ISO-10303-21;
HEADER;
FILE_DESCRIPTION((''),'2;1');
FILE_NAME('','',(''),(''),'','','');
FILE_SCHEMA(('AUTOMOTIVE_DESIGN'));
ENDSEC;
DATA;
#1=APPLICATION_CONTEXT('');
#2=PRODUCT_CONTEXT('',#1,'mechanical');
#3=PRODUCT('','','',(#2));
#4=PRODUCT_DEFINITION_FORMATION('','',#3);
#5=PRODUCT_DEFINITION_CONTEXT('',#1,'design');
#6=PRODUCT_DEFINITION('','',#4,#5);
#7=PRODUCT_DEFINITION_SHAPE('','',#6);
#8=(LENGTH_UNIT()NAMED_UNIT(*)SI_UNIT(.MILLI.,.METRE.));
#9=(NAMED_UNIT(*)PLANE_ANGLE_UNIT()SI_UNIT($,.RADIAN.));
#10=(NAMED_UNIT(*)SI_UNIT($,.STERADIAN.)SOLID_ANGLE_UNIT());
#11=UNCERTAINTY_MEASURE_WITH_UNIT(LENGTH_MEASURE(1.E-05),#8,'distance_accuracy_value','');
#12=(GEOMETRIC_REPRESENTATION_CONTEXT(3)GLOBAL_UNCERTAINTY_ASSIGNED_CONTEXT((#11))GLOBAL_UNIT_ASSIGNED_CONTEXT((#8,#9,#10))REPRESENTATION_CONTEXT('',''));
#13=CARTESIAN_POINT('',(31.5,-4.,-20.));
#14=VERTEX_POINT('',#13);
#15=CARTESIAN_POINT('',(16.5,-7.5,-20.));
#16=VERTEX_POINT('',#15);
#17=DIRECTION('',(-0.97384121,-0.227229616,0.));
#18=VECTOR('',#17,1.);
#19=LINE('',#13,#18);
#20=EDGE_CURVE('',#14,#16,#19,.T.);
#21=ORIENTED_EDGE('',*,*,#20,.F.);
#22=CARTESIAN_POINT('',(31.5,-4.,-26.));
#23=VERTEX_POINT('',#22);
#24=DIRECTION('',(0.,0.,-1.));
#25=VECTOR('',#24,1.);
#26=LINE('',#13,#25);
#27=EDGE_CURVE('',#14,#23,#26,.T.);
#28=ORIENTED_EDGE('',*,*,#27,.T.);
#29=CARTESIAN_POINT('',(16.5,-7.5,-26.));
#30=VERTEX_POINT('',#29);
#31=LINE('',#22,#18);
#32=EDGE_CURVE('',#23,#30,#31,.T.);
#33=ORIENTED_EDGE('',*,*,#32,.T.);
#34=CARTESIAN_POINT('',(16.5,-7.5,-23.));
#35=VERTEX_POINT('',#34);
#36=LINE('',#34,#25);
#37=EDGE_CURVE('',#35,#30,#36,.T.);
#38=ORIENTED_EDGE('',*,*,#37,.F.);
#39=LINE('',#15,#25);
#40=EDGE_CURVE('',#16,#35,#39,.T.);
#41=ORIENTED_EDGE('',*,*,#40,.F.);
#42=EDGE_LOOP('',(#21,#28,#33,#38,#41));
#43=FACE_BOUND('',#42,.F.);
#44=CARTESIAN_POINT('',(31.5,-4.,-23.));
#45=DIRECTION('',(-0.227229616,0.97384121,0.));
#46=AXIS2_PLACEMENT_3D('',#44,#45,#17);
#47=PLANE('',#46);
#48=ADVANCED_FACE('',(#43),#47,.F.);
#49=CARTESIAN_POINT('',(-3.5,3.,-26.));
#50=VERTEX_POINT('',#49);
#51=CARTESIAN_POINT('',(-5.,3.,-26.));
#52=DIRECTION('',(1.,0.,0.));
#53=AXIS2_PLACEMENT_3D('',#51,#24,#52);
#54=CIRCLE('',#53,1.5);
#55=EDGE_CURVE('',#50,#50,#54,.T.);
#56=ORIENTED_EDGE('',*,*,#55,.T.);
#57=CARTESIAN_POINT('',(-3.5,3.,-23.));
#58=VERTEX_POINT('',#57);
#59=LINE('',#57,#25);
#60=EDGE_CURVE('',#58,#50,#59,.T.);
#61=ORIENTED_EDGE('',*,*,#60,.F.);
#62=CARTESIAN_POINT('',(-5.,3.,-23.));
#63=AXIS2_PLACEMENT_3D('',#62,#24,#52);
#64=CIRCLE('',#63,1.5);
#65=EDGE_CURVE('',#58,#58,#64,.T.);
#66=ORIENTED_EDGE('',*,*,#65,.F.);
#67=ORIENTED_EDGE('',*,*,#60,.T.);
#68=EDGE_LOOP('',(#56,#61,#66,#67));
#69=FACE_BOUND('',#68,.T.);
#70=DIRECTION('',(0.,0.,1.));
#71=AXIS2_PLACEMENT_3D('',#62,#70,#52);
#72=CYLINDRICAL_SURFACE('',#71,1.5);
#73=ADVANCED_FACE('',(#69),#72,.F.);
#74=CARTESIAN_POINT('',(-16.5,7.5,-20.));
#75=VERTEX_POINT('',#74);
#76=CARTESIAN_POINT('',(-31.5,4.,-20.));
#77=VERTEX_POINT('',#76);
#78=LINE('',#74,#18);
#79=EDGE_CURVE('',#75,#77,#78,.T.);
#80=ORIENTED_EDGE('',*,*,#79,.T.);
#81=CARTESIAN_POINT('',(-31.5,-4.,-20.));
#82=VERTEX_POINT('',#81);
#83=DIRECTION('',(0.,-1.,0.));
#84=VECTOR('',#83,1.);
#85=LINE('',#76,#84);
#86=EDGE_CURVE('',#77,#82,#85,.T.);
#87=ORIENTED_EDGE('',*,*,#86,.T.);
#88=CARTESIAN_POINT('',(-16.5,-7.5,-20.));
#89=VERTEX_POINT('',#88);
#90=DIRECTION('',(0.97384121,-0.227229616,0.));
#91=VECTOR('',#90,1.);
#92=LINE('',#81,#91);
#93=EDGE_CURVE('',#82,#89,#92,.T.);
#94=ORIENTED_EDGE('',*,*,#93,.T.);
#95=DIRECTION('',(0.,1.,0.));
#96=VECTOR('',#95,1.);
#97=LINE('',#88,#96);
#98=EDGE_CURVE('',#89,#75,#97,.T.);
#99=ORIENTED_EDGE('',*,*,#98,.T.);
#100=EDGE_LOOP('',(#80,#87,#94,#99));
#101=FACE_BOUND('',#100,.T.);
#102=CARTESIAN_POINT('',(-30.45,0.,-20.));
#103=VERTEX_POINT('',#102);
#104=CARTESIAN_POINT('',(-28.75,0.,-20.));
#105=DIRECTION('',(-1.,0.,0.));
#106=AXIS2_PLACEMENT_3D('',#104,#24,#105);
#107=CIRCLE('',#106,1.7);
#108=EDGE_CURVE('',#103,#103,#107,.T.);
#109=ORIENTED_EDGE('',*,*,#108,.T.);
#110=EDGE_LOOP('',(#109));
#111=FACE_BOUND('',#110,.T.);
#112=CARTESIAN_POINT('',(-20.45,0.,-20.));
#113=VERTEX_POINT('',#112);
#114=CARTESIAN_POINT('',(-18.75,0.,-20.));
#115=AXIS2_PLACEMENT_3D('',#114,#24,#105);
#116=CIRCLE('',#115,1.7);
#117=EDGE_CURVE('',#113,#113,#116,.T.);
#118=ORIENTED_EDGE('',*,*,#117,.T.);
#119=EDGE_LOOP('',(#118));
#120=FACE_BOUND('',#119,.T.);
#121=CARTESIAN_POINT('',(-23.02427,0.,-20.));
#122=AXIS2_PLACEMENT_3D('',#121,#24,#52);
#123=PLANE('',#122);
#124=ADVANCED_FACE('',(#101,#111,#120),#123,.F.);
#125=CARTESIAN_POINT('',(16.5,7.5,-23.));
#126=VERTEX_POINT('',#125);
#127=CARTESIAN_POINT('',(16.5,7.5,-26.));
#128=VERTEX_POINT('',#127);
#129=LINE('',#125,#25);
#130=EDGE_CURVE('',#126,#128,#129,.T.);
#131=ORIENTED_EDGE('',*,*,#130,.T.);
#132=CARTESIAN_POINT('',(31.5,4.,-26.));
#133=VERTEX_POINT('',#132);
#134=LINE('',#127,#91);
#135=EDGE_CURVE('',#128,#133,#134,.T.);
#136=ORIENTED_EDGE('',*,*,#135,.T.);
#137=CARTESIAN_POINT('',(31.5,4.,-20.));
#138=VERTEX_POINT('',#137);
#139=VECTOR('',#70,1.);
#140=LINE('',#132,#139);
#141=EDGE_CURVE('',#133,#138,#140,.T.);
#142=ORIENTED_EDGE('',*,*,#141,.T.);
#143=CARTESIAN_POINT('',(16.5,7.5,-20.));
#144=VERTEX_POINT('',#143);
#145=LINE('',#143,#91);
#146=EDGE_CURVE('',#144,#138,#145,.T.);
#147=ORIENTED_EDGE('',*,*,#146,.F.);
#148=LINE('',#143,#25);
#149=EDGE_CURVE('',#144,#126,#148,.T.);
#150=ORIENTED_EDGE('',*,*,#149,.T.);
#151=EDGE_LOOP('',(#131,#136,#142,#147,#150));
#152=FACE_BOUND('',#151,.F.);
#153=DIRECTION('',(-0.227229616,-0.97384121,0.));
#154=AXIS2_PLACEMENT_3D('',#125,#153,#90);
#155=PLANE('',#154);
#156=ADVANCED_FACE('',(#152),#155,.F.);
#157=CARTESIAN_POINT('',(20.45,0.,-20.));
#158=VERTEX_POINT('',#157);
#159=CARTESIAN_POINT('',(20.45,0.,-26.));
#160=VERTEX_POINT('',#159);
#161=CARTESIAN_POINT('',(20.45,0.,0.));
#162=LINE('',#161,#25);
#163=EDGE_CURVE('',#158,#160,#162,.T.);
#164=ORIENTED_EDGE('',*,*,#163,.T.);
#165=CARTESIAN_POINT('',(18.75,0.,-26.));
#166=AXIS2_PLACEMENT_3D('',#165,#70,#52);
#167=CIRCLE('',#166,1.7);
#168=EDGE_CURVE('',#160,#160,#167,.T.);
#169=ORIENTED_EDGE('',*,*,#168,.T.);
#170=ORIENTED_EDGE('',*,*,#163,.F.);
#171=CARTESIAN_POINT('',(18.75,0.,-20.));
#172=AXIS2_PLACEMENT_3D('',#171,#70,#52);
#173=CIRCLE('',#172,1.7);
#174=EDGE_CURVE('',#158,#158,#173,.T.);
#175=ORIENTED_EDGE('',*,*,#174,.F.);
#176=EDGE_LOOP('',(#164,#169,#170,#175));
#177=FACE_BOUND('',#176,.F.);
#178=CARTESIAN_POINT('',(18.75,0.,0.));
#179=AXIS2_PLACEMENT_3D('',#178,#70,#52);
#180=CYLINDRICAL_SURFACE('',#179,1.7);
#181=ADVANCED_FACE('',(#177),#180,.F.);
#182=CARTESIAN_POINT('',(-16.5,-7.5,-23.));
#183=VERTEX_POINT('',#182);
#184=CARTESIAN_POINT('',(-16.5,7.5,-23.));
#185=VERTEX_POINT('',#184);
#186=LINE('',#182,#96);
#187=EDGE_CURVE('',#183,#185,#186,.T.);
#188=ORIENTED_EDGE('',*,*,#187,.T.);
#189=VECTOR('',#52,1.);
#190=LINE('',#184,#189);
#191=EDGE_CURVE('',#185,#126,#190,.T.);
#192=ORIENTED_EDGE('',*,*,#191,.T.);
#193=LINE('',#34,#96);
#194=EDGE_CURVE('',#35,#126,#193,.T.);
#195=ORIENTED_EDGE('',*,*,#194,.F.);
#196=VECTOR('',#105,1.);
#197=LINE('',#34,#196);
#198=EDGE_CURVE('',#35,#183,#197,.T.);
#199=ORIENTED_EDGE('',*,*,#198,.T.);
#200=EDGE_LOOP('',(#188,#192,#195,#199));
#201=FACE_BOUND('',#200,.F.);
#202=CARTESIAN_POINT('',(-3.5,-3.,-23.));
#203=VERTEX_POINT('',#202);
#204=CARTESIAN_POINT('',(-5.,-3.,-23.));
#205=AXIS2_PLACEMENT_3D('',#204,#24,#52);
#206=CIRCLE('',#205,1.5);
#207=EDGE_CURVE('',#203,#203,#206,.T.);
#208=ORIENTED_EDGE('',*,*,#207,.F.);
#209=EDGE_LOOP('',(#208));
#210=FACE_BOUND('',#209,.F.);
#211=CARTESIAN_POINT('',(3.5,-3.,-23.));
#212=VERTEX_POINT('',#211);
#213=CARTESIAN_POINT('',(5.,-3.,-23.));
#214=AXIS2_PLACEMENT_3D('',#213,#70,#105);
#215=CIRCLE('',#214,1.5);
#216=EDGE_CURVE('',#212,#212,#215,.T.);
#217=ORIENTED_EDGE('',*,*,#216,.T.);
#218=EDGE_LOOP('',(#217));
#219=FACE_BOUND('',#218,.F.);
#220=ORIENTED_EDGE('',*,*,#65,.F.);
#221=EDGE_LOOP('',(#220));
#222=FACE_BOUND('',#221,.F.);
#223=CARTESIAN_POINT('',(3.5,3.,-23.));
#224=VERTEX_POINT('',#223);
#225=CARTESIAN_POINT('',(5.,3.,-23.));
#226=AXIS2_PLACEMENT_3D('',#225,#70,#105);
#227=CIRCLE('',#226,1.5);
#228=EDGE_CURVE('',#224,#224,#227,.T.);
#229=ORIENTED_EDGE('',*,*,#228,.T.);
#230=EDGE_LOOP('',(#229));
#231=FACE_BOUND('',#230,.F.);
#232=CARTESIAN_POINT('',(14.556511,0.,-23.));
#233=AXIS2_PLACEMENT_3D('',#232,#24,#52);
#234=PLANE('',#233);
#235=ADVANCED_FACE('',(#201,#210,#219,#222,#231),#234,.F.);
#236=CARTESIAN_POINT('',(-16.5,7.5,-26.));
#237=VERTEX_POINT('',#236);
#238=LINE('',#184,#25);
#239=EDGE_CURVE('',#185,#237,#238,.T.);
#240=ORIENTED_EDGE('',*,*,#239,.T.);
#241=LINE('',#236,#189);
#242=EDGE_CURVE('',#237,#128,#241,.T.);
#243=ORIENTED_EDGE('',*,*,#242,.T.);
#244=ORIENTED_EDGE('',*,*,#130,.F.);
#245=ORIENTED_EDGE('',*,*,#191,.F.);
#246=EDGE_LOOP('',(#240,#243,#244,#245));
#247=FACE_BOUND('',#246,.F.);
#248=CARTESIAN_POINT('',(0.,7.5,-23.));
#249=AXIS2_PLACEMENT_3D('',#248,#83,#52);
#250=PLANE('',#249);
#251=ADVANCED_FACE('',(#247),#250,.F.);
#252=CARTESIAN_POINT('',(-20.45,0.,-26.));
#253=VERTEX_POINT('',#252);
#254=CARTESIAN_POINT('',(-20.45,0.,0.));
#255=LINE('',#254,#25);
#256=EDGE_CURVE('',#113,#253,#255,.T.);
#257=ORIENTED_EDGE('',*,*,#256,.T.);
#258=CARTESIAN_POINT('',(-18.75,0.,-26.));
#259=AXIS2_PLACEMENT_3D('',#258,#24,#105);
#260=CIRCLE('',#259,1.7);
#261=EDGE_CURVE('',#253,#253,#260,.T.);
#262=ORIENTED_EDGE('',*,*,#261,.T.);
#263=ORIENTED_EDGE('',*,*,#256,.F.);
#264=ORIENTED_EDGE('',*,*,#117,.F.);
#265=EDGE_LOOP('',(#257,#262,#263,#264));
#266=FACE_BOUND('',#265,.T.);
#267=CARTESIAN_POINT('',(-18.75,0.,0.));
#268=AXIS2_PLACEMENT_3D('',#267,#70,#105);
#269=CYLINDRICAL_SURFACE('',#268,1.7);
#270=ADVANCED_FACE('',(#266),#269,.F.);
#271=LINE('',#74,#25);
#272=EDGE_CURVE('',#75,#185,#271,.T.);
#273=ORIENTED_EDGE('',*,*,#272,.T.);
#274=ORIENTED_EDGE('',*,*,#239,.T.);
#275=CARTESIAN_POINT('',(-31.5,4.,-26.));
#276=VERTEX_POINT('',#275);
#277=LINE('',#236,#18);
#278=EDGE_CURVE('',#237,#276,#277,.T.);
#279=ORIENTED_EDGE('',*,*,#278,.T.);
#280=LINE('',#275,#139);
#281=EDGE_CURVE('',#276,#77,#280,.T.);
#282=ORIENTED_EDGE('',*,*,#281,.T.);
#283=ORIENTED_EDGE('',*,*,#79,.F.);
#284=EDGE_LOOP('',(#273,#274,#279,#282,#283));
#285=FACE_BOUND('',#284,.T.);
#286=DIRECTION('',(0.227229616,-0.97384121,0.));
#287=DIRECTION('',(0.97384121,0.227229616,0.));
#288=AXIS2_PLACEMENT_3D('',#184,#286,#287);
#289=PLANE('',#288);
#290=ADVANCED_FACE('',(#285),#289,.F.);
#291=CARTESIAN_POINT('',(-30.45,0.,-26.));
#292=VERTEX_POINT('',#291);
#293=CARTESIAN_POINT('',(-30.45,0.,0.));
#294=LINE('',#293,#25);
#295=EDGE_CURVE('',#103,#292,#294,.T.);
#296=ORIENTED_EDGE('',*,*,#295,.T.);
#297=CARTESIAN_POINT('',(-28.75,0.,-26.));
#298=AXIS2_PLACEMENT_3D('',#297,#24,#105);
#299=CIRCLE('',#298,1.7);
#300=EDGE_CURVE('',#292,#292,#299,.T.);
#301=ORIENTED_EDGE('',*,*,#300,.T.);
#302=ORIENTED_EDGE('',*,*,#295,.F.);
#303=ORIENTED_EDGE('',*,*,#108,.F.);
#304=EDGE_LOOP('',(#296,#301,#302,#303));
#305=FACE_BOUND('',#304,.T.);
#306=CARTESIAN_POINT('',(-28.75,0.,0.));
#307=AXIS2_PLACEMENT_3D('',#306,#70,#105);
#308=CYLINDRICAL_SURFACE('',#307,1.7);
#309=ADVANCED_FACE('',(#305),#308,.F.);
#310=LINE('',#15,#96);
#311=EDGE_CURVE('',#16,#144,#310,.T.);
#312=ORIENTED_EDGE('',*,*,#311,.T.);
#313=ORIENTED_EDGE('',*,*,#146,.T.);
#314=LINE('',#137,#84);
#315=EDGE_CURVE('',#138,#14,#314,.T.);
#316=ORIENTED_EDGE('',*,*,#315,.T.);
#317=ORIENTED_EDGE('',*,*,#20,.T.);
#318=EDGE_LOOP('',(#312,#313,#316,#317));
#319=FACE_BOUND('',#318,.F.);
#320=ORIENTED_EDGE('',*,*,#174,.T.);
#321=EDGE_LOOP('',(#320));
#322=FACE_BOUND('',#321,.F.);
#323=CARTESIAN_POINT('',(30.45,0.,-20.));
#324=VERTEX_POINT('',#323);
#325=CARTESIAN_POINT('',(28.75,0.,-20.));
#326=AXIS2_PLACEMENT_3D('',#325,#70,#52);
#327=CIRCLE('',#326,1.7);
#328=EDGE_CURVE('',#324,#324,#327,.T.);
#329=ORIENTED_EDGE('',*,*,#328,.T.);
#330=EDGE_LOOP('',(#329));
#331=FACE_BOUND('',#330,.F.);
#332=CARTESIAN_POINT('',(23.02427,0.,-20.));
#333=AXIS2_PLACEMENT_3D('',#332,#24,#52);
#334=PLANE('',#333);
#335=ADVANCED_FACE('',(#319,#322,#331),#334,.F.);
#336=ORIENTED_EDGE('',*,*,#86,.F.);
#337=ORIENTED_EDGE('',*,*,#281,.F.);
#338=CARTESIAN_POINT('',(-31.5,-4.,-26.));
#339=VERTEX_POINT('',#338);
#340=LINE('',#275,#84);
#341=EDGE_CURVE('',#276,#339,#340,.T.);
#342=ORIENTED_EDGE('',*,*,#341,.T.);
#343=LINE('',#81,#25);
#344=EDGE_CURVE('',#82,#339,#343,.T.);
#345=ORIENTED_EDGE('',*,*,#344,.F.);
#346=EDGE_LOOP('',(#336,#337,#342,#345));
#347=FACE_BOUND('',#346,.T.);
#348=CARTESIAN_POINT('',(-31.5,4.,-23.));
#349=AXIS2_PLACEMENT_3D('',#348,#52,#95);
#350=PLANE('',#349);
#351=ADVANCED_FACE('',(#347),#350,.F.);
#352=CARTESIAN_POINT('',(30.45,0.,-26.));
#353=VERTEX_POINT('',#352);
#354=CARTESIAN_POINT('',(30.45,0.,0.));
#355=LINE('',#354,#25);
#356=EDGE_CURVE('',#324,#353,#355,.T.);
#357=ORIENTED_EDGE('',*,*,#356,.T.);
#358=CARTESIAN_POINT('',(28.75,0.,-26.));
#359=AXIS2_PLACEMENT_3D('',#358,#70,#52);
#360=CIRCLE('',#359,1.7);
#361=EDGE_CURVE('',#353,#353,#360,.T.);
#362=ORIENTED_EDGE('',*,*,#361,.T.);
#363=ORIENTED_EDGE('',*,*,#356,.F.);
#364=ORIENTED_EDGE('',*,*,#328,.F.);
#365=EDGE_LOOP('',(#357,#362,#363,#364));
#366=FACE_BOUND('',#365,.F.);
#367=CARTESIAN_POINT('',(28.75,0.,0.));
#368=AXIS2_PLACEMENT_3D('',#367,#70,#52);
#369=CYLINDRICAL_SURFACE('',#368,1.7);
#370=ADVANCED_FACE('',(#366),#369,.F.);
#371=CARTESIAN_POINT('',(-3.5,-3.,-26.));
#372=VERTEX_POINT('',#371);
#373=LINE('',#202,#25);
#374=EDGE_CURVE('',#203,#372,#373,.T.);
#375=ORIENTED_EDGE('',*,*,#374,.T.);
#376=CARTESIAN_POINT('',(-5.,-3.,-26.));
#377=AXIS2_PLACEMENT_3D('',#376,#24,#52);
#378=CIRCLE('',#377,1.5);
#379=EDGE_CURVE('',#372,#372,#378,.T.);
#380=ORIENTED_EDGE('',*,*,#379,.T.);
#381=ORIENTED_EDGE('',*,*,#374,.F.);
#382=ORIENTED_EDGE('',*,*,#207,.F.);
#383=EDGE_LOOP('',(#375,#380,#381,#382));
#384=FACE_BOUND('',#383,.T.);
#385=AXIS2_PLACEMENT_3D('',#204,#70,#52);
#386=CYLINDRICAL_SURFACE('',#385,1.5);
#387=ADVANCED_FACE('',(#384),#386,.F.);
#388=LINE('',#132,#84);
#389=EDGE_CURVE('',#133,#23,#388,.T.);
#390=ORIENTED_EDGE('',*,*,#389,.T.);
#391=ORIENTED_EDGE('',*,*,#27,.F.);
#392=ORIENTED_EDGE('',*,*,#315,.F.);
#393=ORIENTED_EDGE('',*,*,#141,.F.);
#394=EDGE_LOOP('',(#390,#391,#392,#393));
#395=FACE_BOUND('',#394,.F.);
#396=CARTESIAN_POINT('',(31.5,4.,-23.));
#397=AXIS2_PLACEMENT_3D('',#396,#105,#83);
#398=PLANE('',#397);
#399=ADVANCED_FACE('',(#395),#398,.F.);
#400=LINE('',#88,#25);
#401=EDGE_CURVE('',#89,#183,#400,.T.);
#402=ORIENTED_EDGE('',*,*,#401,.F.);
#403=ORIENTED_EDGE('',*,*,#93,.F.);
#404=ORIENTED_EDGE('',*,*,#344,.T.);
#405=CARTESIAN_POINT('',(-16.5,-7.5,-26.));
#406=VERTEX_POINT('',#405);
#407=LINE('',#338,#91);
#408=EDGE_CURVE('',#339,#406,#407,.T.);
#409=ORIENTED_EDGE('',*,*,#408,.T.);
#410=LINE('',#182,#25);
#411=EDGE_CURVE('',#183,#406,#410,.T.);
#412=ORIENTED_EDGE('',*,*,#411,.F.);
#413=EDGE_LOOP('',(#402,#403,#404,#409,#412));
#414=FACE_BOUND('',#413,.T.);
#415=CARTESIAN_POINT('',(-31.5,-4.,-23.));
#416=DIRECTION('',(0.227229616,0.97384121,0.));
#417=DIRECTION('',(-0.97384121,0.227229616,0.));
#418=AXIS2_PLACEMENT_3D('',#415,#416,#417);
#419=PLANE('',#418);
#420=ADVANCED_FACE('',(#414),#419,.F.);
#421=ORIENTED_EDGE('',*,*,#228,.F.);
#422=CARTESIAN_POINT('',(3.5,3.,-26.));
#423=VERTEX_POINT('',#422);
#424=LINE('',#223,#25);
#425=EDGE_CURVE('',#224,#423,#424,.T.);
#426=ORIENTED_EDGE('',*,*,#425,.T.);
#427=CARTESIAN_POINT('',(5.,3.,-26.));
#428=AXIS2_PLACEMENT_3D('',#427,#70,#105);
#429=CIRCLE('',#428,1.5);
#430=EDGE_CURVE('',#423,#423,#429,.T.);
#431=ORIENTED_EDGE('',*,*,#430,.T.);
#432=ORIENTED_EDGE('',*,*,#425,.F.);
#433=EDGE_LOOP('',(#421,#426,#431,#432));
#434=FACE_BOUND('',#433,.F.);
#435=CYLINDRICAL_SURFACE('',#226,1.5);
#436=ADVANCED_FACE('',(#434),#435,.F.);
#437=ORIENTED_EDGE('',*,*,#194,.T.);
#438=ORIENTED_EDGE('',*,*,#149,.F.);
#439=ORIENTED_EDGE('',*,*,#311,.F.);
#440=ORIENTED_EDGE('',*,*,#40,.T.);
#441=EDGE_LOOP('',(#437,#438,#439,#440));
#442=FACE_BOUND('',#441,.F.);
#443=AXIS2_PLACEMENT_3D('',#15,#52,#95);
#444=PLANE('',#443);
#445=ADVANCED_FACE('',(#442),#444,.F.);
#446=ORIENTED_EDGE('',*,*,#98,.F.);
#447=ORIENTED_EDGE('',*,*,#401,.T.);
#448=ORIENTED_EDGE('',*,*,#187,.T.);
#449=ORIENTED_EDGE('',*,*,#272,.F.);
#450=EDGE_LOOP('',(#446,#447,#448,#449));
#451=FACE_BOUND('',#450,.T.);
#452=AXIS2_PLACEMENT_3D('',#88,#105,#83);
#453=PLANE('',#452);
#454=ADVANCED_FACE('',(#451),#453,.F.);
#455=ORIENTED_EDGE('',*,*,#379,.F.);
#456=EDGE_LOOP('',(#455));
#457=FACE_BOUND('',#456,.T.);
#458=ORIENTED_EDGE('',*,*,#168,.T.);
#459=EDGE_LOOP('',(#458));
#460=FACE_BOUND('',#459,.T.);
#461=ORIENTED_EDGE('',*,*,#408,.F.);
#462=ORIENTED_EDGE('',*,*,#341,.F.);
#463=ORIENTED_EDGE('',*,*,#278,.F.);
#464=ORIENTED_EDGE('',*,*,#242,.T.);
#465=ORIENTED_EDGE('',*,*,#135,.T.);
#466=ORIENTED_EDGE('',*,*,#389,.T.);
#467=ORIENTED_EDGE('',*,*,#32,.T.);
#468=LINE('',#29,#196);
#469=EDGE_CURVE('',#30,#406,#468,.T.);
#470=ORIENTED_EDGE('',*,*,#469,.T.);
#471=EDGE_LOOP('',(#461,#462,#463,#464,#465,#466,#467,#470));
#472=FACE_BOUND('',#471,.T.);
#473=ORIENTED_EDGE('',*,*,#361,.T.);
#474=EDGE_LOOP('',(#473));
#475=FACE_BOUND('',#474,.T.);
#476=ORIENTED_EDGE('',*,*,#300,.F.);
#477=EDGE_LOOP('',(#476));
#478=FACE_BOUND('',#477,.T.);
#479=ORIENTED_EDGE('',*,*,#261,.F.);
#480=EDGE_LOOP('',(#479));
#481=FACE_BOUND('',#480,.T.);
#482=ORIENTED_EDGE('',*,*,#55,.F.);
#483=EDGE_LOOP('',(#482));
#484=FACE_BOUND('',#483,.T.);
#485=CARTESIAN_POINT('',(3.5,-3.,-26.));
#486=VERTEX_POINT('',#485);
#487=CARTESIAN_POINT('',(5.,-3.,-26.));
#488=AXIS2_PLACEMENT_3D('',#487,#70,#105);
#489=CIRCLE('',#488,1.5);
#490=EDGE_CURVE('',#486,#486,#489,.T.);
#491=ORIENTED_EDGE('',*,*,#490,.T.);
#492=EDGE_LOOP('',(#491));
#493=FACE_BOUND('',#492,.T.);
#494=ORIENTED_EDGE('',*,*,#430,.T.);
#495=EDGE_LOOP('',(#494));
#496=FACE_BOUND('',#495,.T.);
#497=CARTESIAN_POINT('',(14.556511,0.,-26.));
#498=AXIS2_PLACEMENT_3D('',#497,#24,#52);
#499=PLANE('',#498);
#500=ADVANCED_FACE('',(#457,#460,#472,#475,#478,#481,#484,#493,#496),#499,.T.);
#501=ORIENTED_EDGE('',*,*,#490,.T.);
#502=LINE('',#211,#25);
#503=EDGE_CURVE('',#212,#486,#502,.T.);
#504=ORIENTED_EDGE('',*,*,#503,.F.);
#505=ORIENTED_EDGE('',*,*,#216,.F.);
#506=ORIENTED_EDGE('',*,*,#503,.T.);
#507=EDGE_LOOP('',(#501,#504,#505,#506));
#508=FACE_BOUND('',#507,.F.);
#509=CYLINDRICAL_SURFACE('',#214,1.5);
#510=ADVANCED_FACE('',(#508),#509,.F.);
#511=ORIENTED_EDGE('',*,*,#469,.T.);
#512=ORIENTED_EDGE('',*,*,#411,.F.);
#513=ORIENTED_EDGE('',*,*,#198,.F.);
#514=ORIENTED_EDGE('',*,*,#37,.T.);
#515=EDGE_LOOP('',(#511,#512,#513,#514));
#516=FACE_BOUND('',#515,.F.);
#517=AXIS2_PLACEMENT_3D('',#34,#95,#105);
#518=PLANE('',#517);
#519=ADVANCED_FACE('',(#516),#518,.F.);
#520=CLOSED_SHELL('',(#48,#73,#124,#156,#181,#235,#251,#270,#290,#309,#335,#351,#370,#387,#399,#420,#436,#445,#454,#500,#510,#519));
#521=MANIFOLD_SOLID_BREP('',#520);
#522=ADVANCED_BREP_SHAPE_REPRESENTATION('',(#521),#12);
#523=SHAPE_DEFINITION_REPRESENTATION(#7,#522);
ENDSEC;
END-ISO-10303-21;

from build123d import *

# Parameters (mm, degrees)
SKETCH068_R  = 1.7
PAD050_DEPTH = 100
SKETCH067_R  = 1.5
PAD049_DEPTH = 3
PAD048_DEPTH = 3


with BuildPart() as mountscrewcutouts:
    # Sketch068 → Pad050 (new body)
    with BuildSketch(Plane.XY):
        with Locations((28.75, 0)):
            Circle(SKETCH068_R)
        with Locations((18.75, 0)):
            Circle(SKETCH068_R)
    extrude(amount=-PAD050_DEPTH)


with BuildPart() as baseplate:
    # Sketch067 → Pad049 (new body)
    with BuildSketch(Plane(origin=(0, 0, -23), x_dir=(-1, 0, 0), z_dir=(0, 0, 1))):
        Polygon((-31.5, -4), (-31.5, 4), (-16.5, 7.5), (0, 7.5), (0, -7.5), (-16.5, -7.5), align=None)
        with Locations((-5, 3)):
            Circle(SKETCH067_R, mode=Mode.SUBTRACT)
        with Locations((-5, -3)):
            Circle(SKETCH067_R, mode=Mode.SUBTRACT)
    extrude(amount=-PAD049_DEPTH)


with BuildPart() as supportplate:
    # Sketch066 → Pad048 (new body)
    with BuildSketch(Plane(origin=(0, 0, -20), x_dir=(-1, 0, 0), z_dir=(0, 0, 1))):
        Polygon((-31.5, -4), (-31.5, 4), (-16.5, 7.5), (-16.5, -7.5), align=None)
    extrude(amount=-PAD048_DEPTH)

    # Fusion004017: union BasePlate
    add(baseplate.part)

    # Cut007017: cut MountScrewCutouts
    add(mountscrewcutouts.part, mode=Mode.SUBTRACT)


with BuildPart() as fusion004018:
    # Part__Mirroring001: instance of SupportPlate
    add(supportplate.part.mirror(Plane(origin=(0, 0, 0), x_dir=(0, -1, 0), z_dir=(1, 0, 0))))

    # Fusion004018: union SupportPlate
    add(supportplate.part)


solid = fusion004018.part
